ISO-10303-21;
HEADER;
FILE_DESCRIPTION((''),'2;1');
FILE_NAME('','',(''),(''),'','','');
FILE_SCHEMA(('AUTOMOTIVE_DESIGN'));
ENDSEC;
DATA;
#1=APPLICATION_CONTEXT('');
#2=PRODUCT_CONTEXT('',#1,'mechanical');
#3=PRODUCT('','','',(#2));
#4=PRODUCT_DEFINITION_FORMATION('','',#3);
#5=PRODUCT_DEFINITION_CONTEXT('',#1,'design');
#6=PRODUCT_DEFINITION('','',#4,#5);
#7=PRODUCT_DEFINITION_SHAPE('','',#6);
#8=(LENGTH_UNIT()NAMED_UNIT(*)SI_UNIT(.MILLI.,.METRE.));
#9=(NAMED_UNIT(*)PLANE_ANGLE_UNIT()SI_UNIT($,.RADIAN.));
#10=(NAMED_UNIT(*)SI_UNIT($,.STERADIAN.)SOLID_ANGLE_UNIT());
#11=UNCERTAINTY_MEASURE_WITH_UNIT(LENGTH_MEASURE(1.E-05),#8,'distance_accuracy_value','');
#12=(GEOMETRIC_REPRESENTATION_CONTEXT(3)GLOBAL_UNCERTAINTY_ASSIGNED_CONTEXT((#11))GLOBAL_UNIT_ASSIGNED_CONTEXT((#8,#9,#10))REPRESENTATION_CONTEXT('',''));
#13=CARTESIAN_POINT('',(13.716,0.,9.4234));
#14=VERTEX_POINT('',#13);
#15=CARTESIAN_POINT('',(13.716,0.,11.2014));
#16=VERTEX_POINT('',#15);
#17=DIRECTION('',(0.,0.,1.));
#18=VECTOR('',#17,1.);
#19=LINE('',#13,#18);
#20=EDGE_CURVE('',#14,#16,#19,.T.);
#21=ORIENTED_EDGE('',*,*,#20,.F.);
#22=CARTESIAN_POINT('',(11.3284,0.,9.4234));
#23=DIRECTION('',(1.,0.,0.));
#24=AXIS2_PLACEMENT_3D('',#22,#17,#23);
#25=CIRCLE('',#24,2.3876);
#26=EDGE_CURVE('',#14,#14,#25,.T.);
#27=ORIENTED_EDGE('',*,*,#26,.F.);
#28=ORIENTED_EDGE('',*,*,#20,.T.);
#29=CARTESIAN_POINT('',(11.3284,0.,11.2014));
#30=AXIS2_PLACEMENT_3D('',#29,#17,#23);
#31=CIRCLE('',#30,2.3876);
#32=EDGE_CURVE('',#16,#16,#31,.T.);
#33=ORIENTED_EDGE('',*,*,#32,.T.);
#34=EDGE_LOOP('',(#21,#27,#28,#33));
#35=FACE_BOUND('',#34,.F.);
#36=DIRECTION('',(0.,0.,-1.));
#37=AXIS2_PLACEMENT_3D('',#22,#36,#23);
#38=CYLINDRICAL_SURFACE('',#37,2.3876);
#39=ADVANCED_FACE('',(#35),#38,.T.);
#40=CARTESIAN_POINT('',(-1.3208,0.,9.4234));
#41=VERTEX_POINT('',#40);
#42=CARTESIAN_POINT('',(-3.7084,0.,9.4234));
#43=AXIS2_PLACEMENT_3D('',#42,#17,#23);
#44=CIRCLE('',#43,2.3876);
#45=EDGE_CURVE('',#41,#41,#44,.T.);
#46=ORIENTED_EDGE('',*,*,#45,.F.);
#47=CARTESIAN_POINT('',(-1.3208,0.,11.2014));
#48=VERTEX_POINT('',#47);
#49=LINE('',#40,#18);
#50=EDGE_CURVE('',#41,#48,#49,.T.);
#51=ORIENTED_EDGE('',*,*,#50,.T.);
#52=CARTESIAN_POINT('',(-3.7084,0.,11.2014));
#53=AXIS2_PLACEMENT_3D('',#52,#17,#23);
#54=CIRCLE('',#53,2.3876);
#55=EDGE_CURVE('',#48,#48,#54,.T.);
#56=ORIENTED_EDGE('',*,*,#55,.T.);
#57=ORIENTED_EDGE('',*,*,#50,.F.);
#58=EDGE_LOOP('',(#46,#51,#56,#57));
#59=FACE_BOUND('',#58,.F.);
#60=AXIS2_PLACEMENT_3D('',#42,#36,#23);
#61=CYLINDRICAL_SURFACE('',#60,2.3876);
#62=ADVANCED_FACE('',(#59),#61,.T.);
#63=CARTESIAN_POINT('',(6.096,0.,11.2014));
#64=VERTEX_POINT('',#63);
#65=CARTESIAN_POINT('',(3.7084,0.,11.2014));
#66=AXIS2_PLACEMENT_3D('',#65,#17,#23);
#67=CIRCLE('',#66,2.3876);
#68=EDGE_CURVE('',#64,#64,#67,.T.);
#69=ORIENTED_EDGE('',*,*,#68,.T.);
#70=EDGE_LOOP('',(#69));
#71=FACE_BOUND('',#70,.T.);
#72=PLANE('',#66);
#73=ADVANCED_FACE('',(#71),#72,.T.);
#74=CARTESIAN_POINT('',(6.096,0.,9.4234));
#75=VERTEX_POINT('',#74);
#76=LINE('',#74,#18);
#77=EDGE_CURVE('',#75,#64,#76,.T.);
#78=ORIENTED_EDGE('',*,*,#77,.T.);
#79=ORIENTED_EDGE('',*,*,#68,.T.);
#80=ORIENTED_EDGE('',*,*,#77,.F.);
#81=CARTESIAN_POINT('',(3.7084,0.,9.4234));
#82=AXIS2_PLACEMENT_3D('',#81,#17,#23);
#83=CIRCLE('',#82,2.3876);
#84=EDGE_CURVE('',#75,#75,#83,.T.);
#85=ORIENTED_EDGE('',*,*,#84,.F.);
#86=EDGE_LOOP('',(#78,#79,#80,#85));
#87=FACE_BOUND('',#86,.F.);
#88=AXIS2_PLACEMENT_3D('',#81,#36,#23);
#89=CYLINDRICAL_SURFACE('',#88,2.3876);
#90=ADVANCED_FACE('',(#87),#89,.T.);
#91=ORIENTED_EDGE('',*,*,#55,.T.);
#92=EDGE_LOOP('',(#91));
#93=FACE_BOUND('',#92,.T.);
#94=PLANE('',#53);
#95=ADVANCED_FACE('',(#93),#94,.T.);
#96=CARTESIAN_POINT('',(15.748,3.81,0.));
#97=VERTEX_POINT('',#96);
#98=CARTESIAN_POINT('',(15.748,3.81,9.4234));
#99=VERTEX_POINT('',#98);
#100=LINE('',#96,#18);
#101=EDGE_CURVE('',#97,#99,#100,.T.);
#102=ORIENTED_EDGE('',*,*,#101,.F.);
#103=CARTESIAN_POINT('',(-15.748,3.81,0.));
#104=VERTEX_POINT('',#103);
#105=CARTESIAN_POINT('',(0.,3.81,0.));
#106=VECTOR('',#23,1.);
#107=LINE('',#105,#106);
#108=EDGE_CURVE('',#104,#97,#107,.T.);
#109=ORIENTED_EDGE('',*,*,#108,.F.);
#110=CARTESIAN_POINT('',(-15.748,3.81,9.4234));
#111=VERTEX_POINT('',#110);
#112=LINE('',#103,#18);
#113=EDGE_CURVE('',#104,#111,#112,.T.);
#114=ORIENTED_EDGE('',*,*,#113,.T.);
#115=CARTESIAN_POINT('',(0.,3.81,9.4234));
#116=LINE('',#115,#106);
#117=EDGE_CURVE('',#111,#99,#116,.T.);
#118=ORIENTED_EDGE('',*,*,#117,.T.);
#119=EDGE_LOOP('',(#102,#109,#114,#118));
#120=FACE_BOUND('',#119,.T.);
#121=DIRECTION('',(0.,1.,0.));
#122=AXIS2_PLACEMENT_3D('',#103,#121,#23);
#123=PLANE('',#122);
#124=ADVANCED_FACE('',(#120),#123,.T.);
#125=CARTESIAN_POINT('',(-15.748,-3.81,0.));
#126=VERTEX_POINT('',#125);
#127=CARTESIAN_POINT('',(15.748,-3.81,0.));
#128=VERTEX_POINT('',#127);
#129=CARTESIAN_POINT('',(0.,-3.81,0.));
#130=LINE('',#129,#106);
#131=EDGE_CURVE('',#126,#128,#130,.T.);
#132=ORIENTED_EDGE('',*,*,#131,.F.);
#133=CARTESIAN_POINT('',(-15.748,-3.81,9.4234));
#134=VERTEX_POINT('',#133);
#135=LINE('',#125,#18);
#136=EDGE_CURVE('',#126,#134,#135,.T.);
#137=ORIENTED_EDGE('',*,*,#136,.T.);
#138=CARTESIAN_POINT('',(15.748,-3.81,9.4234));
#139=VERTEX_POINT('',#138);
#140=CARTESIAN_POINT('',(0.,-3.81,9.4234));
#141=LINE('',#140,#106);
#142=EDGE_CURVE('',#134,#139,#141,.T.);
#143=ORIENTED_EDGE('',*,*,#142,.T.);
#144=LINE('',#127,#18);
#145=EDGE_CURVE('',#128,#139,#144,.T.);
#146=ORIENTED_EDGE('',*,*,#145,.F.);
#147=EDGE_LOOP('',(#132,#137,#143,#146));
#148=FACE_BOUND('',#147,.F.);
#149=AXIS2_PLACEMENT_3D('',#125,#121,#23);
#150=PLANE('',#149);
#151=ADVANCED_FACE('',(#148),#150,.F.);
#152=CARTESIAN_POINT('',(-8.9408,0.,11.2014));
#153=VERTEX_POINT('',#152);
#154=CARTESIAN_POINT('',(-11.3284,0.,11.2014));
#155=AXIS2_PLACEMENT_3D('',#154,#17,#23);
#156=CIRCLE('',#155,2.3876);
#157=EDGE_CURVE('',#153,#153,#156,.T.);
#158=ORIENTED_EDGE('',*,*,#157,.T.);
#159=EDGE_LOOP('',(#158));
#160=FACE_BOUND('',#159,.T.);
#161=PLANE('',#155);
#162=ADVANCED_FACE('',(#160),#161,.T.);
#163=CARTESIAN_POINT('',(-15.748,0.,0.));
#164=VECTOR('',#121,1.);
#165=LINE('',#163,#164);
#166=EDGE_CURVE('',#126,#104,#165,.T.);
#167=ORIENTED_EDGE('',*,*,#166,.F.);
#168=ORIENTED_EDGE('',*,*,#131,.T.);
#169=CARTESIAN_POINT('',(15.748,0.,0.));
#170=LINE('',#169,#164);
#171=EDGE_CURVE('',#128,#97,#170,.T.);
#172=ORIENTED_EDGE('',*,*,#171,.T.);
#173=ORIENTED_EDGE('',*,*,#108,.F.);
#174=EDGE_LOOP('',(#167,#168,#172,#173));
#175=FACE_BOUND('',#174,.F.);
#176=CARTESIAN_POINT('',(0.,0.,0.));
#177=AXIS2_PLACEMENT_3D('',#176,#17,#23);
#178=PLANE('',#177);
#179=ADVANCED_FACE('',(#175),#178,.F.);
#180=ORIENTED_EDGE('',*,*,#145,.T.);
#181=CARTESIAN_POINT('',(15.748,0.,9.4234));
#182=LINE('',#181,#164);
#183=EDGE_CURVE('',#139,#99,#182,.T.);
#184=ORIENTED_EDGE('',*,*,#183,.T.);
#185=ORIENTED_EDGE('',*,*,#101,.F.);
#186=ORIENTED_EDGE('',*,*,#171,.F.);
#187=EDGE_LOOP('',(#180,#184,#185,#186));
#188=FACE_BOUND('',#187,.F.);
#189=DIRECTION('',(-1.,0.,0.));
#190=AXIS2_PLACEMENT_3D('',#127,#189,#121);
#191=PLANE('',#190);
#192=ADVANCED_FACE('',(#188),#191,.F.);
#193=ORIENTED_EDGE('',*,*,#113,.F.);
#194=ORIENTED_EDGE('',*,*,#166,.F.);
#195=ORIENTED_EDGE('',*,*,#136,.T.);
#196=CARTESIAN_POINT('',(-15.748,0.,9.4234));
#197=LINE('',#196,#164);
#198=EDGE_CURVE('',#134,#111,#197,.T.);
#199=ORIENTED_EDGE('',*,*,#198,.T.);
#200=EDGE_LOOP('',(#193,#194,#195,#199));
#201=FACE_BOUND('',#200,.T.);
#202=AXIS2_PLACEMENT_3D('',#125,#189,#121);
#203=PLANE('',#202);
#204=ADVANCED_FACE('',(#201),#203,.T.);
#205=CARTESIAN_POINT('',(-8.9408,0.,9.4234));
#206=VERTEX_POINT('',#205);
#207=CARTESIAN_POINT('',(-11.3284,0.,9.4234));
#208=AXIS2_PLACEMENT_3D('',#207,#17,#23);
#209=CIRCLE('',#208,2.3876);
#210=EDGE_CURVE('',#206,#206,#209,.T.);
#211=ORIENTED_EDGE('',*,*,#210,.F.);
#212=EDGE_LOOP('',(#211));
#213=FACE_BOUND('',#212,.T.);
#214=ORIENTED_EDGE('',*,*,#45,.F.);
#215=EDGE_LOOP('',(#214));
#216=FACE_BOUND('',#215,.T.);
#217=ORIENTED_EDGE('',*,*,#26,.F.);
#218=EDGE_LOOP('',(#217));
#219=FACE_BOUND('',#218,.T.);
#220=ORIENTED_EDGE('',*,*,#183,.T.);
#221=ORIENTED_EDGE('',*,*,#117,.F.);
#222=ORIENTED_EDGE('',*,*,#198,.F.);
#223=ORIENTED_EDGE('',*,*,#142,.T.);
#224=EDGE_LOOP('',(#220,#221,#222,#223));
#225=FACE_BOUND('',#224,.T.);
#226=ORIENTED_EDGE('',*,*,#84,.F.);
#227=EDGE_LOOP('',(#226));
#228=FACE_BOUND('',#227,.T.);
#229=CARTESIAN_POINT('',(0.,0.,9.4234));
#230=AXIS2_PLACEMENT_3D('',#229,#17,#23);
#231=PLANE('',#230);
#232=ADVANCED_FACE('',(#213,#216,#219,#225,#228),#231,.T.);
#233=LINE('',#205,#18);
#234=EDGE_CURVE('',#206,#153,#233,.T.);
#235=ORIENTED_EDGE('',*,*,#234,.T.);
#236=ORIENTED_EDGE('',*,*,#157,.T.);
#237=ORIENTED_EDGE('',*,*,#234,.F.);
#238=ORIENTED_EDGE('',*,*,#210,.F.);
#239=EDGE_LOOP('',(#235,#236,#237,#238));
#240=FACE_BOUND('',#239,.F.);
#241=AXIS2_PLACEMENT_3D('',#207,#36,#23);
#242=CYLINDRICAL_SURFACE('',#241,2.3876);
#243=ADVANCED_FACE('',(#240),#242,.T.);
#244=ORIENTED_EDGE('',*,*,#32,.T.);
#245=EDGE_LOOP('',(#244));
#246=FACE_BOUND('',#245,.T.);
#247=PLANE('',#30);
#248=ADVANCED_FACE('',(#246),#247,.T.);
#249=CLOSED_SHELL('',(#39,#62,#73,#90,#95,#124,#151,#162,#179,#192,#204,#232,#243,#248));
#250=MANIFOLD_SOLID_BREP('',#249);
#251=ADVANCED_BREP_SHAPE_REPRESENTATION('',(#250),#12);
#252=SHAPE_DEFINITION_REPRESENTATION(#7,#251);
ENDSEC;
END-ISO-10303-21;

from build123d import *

# Parameters (mm, degrees)
F0_W     = 31.496
F0_H     = 7.62
F1_DEPTH = 9.4234
F2_R     = 2.3876
F3_DEPTH = 1.778


with BuildPart() as f1:
    # F0 (on Top) → F1 (new body)
    with BuildSketch(Plane.XY):
        Rectangle(F0_W, F0_H)
    extrude(amount=F1_DEPTH)

    # F2 (on face) → F3 (join)
    with BuildSketch(Plane.XY.offset(9.4234)):
        with Locations((11.3284, 0)):
            Circle(F2_R)
        with Locations((3.7084, 0)):
            Circle(F2_R)
        with Locations((-3.7084, 0)):
            Circle(F2_R)
        with Locations((-11.3284, 0)):
            Circle(F2_R)
    extrude(amount=F3_DEPTH)


solid = f1.part
